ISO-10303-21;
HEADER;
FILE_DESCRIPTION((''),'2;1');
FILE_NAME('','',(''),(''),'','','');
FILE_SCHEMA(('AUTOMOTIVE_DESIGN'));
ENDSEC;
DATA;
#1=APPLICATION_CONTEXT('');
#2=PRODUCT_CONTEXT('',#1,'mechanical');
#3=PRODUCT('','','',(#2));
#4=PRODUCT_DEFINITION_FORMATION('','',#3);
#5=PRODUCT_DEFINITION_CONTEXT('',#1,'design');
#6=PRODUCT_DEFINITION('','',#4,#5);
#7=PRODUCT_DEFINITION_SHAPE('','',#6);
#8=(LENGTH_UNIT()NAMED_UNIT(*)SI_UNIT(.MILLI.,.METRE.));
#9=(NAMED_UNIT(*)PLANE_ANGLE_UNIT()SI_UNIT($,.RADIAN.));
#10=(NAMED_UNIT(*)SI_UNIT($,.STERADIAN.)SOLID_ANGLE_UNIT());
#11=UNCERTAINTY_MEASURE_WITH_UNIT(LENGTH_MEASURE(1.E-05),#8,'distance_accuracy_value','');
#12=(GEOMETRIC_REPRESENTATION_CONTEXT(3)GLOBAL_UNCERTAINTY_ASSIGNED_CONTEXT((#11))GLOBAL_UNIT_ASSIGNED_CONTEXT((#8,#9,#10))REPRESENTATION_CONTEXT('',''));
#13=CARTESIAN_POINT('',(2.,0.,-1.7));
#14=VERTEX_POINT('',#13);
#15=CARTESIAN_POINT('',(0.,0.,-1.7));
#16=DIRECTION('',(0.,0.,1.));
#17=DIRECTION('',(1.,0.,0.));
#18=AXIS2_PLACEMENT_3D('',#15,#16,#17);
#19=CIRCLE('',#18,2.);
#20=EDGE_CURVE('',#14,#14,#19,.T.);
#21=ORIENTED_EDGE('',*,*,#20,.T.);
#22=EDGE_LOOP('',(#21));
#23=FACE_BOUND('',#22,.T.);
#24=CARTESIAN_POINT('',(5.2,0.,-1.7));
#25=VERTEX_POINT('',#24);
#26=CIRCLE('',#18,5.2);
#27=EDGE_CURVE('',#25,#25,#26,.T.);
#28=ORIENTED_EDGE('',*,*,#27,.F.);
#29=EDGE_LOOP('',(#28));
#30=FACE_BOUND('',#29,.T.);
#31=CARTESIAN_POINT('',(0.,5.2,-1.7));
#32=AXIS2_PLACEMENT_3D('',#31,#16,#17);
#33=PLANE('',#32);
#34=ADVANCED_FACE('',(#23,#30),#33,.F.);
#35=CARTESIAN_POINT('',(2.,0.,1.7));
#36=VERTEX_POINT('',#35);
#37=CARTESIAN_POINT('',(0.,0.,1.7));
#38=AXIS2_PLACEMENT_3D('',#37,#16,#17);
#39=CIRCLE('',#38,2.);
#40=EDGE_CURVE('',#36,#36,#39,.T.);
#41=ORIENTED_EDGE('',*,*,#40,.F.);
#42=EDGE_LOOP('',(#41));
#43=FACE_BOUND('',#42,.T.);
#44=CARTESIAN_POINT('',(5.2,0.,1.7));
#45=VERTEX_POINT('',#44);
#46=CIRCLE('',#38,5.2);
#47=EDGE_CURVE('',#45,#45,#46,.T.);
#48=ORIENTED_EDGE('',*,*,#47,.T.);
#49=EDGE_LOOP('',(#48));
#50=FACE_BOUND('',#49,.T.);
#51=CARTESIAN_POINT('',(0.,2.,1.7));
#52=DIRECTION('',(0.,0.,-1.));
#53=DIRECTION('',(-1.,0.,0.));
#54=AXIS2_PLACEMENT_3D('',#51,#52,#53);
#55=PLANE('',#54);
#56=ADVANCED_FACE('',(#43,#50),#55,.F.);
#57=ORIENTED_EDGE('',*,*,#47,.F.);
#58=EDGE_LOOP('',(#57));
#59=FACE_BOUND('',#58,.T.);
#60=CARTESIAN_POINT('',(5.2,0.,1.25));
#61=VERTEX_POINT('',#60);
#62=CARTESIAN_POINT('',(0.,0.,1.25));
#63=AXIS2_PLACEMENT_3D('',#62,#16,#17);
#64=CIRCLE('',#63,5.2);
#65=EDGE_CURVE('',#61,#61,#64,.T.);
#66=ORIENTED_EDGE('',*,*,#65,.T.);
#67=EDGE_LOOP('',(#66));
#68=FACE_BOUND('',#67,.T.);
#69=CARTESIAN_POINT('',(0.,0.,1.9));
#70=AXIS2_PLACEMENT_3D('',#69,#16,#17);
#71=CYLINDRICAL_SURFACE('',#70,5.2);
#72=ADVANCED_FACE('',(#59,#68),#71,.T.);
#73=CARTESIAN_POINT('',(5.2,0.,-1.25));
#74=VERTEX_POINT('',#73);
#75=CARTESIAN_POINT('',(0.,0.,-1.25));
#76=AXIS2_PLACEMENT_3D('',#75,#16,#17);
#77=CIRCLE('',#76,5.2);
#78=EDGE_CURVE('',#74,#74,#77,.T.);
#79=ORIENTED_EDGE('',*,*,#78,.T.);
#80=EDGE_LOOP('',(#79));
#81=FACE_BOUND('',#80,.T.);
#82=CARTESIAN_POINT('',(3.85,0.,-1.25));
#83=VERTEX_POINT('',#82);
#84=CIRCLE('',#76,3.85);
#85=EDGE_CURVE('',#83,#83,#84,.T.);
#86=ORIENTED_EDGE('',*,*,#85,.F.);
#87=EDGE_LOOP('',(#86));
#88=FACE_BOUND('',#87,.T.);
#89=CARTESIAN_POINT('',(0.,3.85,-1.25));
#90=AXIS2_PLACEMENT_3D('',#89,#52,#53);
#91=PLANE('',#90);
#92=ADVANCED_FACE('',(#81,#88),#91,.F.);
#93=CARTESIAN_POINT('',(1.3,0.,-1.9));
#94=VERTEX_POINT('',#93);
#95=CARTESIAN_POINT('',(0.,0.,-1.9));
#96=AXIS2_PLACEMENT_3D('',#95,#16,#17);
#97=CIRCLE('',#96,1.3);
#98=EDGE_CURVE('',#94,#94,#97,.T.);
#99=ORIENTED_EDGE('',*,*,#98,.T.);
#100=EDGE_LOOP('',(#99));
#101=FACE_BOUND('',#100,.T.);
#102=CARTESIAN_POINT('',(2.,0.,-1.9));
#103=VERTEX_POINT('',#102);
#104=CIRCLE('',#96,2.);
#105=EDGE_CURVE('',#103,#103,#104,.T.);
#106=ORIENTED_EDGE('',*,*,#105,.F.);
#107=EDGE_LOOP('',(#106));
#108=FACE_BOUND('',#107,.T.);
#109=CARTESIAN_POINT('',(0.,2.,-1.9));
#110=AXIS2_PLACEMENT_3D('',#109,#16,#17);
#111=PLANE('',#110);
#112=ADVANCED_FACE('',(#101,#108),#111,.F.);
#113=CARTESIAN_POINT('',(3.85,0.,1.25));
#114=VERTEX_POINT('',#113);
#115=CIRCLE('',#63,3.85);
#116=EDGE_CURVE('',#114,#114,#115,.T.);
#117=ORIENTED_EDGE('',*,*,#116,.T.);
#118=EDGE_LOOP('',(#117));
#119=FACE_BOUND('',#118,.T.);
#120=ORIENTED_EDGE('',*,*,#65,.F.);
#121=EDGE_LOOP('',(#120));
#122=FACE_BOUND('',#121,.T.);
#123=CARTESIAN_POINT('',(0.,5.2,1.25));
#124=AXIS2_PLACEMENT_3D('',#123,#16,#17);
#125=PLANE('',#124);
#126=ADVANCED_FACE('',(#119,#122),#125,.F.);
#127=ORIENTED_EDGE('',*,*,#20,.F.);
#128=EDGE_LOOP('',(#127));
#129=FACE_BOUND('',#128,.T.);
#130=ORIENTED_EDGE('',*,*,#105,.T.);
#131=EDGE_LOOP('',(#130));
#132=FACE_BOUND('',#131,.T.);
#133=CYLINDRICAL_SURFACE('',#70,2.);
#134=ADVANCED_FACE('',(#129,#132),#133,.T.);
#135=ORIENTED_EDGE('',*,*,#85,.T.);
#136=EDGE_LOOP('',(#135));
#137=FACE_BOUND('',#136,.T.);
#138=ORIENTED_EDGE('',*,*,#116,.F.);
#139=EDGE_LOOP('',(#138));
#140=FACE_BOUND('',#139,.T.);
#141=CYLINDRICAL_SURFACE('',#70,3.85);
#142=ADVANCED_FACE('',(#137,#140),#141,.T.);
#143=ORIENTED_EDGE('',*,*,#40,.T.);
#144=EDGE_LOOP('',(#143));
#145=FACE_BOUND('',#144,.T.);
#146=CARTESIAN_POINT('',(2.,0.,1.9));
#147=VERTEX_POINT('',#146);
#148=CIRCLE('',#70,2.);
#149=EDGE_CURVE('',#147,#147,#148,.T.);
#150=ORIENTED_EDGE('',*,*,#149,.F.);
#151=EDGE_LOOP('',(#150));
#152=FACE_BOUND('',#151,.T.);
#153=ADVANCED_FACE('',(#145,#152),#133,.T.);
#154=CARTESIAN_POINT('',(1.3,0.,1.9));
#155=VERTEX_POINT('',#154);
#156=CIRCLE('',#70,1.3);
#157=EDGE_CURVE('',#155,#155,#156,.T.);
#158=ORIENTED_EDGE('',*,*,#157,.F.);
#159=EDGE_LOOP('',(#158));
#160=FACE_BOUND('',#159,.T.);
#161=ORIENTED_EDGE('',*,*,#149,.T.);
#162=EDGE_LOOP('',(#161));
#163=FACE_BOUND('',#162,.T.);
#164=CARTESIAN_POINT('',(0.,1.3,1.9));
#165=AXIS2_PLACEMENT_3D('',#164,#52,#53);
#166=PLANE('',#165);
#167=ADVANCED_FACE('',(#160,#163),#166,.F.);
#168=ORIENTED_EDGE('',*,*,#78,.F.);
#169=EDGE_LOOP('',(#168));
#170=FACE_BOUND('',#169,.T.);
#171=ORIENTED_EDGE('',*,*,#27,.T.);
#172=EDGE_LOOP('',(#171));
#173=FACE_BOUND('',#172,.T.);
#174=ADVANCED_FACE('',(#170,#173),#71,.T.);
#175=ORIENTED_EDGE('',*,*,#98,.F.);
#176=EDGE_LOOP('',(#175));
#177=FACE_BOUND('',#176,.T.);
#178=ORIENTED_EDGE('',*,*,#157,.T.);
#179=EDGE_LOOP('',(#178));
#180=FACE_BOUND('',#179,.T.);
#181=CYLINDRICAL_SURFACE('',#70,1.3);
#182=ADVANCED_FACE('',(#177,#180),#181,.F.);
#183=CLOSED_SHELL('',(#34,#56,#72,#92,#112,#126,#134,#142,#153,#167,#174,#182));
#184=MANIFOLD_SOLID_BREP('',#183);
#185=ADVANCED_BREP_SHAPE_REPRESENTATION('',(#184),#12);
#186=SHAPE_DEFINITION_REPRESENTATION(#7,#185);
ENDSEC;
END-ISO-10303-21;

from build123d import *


with BuildPart() as part:
    # Sketch1 → Revolve1 (revolve)
    with BuildSketch(Plane(origin=(0, 0, 0), x_dir=(0, 0, -1), z_dir=(1, 0, 0))):
        Polygon((-1.9, 1.3), (-1.9, 2), (-1.7, 2), (-1.7, 5.2), (-1.25, 5.2), (-1.25, 3.85), (1.25, 3.85), (1.25, 5.2), (1.7, 5.2), (1.7, 2), (1.9, 2), (1.9, 1.3), align=None)
    revolve(axis=Axis((0, 0, 1.9), (0, 0, -1)))


solid = part.part
